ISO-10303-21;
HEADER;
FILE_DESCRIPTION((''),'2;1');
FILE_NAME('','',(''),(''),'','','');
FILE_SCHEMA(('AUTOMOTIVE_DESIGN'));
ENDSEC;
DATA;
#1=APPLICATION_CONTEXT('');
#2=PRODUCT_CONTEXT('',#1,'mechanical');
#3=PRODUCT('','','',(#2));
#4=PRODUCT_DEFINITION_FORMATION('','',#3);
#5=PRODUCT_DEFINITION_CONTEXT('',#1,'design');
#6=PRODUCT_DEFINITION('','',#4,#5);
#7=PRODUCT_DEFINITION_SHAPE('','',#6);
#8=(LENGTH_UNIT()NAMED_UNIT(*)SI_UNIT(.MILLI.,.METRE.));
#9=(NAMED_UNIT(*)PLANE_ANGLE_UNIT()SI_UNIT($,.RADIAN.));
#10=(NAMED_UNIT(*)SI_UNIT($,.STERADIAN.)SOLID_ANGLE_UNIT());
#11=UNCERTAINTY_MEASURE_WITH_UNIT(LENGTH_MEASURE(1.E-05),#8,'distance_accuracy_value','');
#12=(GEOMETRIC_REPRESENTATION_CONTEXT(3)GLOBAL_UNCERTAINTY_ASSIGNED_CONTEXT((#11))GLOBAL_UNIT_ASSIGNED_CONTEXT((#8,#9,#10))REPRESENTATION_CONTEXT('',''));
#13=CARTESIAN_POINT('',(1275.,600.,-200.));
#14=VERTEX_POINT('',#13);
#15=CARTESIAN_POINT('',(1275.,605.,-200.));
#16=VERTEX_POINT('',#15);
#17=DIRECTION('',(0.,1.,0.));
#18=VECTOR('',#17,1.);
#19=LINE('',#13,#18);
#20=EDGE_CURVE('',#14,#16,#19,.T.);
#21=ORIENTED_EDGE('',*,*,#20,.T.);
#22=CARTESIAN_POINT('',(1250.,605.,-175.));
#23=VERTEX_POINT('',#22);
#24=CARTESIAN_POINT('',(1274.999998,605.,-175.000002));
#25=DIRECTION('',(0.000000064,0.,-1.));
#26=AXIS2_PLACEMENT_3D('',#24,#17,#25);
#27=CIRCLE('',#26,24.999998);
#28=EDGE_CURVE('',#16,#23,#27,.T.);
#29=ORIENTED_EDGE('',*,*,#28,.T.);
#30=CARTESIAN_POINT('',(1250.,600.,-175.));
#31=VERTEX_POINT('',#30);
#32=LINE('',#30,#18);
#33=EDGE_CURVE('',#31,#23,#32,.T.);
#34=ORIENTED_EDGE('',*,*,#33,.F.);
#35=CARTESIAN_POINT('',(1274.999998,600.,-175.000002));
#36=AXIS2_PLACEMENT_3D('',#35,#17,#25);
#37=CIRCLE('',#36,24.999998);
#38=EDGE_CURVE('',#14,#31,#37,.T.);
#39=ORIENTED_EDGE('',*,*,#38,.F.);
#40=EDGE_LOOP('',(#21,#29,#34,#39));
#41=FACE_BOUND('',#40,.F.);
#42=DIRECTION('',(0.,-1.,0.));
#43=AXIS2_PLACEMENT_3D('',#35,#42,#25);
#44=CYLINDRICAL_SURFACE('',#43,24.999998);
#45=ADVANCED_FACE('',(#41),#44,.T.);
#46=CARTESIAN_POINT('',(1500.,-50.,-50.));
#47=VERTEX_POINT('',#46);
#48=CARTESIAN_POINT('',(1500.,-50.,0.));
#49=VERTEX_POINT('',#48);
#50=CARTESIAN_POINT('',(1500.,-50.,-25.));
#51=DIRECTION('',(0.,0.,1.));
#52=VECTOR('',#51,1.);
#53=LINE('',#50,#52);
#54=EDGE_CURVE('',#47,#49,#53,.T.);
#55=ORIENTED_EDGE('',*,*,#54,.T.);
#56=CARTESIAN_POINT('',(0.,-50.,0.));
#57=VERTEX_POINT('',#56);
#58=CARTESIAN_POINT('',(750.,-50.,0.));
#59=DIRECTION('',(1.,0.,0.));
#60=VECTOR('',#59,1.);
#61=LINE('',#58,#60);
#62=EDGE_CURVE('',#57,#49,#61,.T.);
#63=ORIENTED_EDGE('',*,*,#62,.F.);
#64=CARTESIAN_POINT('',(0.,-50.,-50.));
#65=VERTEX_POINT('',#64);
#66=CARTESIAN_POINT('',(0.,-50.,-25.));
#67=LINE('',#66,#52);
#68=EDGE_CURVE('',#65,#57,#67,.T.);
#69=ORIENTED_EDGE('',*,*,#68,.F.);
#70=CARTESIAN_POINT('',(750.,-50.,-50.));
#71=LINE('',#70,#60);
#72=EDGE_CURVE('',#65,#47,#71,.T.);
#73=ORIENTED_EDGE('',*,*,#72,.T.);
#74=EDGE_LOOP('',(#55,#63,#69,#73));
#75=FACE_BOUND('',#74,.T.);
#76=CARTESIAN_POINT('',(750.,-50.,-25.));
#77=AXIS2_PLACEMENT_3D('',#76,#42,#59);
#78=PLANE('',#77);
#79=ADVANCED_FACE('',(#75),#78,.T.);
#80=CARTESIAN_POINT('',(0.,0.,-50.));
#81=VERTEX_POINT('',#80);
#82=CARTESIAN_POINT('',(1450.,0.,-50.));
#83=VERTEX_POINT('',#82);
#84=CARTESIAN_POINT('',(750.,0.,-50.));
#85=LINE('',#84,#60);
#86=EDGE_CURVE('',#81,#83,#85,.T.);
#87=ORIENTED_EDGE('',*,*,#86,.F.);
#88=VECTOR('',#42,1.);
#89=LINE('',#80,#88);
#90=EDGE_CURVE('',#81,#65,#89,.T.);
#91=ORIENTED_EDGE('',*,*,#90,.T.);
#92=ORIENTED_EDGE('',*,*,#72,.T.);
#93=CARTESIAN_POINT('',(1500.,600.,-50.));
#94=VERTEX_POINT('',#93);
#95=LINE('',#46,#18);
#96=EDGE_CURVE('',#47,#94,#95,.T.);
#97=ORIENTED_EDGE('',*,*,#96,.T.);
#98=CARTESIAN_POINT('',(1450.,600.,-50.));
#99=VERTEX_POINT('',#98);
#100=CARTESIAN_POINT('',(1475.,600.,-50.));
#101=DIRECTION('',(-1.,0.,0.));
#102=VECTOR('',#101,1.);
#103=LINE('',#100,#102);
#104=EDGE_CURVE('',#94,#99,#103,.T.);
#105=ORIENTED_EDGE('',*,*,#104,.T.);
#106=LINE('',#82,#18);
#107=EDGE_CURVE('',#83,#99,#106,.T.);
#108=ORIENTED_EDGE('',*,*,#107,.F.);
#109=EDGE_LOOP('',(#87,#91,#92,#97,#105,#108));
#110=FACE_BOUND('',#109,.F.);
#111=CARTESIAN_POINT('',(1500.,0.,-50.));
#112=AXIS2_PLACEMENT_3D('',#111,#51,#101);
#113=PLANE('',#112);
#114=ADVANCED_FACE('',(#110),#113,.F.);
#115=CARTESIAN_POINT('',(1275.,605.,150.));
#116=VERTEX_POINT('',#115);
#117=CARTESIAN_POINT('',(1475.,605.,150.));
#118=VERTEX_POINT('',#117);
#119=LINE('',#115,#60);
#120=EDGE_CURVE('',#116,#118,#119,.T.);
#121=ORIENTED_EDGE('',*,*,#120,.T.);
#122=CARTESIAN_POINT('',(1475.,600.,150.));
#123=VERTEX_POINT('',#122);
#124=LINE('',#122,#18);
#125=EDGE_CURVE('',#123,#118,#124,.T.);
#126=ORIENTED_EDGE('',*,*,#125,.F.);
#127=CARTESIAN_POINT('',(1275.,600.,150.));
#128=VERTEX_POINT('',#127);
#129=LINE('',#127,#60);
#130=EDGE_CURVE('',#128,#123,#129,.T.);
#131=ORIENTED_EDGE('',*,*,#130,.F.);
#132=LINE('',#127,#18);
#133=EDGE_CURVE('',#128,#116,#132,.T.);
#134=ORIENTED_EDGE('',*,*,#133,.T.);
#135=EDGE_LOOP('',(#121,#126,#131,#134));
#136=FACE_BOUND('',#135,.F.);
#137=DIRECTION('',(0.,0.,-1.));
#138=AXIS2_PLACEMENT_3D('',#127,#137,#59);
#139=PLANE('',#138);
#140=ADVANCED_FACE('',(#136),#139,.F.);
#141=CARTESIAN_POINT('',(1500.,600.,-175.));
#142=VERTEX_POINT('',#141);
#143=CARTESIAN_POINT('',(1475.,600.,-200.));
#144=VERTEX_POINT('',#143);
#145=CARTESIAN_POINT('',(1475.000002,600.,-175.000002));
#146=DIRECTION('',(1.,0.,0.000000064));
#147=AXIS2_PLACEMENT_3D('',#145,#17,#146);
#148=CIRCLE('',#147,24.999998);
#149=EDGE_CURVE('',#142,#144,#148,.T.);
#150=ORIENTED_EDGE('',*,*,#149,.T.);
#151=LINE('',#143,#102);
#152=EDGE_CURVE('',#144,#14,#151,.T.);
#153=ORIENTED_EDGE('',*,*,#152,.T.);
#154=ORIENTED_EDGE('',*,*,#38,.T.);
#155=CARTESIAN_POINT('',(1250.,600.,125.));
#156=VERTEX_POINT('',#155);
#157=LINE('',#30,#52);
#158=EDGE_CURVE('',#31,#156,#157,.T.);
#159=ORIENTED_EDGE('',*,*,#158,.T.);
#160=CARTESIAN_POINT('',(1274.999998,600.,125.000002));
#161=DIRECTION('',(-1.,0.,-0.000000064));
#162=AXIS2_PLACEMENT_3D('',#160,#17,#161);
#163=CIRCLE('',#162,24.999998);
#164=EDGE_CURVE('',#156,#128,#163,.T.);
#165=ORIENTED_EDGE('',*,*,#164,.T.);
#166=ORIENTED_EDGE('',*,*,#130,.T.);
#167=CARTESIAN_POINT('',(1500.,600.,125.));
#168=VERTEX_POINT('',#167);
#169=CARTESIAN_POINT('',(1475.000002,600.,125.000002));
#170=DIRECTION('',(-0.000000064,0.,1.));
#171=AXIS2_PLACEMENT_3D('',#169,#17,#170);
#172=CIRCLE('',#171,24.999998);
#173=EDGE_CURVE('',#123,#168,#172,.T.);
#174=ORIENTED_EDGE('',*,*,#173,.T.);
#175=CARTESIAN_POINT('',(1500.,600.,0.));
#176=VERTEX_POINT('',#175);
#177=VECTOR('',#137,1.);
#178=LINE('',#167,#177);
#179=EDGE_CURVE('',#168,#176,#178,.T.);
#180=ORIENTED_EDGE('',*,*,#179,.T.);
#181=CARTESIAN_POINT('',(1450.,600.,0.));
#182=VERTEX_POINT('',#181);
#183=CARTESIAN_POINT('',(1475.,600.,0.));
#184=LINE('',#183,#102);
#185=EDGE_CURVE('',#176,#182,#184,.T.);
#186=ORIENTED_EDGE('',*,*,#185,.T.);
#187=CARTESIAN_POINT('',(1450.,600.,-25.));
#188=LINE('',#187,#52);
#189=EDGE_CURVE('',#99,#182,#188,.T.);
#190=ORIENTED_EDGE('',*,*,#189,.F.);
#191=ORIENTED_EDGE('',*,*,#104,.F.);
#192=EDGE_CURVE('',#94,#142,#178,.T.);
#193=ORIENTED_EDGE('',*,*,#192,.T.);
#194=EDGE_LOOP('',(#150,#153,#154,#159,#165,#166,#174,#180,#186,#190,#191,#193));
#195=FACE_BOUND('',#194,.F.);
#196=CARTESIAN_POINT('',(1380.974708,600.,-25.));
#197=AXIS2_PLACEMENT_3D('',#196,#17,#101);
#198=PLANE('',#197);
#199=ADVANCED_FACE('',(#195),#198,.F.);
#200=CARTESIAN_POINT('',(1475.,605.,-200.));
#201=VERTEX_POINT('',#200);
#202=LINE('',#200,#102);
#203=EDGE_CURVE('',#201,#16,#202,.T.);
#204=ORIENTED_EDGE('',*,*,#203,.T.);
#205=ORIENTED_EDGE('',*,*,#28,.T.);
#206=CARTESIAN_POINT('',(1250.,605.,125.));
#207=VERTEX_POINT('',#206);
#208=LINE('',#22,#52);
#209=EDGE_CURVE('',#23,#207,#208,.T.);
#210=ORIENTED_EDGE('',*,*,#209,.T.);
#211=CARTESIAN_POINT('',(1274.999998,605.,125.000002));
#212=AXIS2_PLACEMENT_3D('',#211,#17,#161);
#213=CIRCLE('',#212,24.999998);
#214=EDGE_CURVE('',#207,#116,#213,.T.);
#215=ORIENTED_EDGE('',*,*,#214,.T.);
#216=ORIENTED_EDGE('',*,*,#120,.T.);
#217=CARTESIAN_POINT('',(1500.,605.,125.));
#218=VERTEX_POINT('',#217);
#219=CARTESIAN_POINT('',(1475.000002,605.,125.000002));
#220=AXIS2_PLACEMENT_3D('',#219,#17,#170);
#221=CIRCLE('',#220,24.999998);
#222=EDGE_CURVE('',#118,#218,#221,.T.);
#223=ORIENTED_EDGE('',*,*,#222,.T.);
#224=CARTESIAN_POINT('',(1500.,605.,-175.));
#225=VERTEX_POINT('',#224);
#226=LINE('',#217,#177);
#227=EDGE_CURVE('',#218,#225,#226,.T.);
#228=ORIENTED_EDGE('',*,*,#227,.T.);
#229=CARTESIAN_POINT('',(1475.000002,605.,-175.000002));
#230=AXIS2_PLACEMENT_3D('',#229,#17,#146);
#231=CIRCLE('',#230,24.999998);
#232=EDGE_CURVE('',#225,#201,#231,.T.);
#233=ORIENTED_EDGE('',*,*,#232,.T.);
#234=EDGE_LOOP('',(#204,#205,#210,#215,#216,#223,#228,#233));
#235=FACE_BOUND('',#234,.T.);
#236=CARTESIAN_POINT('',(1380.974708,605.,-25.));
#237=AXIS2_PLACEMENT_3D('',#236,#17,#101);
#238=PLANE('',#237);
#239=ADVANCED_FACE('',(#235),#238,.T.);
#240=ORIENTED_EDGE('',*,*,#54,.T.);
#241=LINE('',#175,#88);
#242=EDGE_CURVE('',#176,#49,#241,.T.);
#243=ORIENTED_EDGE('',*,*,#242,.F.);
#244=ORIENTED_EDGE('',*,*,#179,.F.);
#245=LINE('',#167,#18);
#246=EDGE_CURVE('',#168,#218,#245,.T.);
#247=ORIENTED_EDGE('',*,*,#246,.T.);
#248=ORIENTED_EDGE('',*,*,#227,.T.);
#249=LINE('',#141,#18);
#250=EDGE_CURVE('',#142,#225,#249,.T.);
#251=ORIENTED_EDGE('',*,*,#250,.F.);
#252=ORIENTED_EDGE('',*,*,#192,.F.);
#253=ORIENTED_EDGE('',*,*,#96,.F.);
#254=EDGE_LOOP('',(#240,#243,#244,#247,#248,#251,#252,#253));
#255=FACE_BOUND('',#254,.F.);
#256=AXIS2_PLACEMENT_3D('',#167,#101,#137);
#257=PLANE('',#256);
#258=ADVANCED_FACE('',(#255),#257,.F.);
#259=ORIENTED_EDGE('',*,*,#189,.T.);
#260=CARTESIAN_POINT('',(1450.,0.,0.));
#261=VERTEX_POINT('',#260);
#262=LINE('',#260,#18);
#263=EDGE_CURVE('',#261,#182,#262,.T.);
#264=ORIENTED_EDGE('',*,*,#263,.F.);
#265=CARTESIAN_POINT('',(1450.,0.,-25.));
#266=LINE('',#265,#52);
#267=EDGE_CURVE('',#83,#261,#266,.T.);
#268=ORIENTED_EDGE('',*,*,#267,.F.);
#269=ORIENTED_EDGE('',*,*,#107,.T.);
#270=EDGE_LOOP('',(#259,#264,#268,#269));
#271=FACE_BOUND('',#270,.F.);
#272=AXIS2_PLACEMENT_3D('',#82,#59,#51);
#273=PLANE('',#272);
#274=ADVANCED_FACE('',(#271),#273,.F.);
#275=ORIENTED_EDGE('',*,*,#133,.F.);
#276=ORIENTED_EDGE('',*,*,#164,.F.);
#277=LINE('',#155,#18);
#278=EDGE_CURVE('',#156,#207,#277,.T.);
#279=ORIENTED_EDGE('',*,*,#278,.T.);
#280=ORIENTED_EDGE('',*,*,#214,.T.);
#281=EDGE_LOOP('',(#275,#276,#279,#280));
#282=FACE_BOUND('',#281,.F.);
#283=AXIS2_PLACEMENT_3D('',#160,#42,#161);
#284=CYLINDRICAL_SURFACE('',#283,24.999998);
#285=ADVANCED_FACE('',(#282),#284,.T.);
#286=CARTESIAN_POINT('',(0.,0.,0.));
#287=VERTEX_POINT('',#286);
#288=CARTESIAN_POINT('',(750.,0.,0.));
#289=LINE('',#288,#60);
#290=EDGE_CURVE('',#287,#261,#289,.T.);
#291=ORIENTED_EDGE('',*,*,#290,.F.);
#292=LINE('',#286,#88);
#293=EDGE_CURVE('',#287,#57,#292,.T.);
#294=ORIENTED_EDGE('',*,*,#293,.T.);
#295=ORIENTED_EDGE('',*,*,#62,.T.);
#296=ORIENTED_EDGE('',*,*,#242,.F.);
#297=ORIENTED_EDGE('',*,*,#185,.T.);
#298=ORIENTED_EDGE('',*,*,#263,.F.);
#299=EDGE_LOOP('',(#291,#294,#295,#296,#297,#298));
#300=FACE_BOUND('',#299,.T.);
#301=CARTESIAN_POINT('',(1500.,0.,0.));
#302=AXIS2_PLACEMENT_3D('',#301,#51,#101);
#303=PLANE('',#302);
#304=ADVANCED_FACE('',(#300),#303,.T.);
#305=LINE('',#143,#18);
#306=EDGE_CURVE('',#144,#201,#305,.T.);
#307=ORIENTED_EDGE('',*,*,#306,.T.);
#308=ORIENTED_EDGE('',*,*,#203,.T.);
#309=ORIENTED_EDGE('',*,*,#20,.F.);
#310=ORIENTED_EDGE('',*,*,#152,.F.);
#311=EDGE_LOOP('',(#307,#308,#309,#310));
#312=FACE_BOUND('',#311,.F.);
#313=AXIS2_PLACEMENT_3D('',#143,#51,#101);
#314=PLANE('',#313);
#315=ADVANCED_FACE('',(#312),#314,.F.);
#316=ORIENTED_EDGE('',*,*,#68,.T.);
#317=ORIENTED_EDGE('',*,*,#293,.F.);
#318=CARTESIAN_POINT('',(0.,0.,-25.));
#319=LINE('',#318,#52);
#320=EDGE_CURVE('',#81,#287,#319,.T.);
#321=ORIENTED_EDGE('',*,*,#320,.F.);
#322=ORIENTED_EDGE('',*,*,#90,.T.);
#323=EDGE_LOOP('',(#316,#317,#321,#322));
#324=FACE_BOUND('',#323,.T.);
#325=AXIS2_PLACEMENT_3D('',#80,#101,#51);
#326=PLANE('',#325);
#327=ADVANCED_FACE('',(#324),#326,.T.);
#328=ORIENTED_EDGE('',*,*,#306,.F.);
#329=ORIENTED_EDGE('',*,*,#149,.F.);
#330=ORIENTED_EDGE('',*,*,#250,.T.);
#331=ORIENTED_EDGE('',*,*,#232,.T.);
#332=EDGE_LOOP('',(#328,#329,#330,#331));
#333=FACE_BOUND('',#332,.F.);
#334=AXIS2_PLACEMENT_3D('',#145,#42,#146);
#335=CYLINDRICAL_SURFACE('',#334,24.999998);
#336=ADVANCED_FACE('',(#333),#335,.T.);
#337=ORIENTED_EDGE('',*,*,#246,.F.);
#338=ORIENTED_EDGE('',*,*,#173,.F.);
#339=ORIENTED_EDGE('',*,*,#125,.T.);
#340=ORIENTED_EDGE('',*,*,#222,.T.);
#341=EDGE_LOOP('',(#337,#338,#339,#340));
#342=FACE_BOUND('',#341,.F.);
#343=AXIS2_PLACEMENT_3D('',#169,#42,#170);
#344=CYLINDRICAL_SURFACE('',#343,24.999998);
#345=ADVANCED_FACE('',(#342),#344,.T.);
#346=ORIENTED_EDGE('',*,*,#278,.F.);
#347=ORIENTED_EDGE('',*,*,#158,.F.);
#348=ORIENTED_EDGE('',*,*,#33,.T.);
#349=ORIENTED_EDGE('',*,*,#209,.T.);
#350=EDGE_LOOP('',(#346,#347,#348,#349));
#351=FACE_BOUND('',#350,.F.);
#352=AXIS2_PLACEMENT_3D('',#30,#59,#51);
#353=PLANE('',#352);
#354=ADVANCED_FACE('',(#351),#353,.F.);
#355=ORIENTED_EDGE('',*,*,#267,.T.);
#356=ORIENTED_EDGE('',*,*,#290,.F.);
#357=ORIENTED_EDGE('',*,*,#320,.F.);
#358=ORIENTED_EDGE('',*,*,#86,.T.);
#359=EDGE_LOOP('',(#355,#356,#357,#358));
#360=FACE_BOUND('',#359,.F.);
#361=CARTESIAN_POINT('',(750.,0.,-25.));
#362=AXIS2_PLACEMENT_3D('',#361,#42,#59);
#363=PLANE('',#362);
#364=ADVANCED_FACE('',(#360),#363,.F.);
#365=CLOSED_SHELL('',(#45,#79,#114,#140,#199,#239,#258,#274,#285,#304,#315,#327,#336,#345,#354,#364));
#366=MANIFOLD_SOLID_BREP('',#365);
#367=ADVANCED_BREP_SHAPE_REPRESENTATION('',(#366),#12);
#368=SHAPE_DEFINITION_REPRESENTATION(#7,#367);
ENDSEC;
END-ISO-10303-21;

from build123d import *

# Parameters (mm, degrees)
F0_W     = 1500
F0_H     = 50
F1_DEPTH = 50
F2_W     = 50
F2_H     = 50
F3_DEPTH = 600
F4_W     = 50
F4_H     = 50
F5_DEPTH = 5


with BuildPart() as f1:
    # F0 (on Front) → F1 (new body)
    with BuildSketch(Plane.XZ):
        with Locations((750, -25)):
            Rectangle(F0_W, F0_H)
    extrude(amount=F1_DEPTH)

    # F2 (on face) → F3 (join)
    with BuildSketch(Plane(origin=(0, 0, 0), x_dir=(-1, 0, 0), z_dir=(0, 1, 0))):
        with Locations((-1475, -25)):
            Rectangle(F2_W, F2_H)
    extrude(amount=F3_DEPTH)

    # F4 (on face) → F5 (join)
    with BuildSketch(Plane(origin=(0, 600, 0), x_dir=(-1, 0, 0), z_dir=(0, 1, 0))):
        with BuildLine():
            Line((-1275, 150), (-1475, 150))
            ThreePointArc((-1475, 150), (-1492.67767, 142.67767), (-1500, 125))
            Line((-1500, 125), (-1500, 0))
            Line((-1500, 0), (-1450, 0))
            Line((-1450, 0), (-1450, -50))
            Line((-1450, -50), (-1500, -50))
            Line((-1500, -50), (-1500, -175))
            ThreePointArc((-1500, -175), (-1492.67767, -192.67767), (-1475, -200))
            Line((-1475, -200), (-1275, -200))
            ThreePointArc((-1275, -200), (-1257.32233, -192.67767), (-1250, -175))
            Line((-1250, -175), (-1250, 125))
            ThreePointArc((-1250, 125), (-1257.32233, 142.67767), (-1275, 150))
        make_face()
        with Locations((-1475, -25)):
            Rectangle(F4_W, F4_H)
    extrude(amount=F5_DEPTH)


solid = f1.part
